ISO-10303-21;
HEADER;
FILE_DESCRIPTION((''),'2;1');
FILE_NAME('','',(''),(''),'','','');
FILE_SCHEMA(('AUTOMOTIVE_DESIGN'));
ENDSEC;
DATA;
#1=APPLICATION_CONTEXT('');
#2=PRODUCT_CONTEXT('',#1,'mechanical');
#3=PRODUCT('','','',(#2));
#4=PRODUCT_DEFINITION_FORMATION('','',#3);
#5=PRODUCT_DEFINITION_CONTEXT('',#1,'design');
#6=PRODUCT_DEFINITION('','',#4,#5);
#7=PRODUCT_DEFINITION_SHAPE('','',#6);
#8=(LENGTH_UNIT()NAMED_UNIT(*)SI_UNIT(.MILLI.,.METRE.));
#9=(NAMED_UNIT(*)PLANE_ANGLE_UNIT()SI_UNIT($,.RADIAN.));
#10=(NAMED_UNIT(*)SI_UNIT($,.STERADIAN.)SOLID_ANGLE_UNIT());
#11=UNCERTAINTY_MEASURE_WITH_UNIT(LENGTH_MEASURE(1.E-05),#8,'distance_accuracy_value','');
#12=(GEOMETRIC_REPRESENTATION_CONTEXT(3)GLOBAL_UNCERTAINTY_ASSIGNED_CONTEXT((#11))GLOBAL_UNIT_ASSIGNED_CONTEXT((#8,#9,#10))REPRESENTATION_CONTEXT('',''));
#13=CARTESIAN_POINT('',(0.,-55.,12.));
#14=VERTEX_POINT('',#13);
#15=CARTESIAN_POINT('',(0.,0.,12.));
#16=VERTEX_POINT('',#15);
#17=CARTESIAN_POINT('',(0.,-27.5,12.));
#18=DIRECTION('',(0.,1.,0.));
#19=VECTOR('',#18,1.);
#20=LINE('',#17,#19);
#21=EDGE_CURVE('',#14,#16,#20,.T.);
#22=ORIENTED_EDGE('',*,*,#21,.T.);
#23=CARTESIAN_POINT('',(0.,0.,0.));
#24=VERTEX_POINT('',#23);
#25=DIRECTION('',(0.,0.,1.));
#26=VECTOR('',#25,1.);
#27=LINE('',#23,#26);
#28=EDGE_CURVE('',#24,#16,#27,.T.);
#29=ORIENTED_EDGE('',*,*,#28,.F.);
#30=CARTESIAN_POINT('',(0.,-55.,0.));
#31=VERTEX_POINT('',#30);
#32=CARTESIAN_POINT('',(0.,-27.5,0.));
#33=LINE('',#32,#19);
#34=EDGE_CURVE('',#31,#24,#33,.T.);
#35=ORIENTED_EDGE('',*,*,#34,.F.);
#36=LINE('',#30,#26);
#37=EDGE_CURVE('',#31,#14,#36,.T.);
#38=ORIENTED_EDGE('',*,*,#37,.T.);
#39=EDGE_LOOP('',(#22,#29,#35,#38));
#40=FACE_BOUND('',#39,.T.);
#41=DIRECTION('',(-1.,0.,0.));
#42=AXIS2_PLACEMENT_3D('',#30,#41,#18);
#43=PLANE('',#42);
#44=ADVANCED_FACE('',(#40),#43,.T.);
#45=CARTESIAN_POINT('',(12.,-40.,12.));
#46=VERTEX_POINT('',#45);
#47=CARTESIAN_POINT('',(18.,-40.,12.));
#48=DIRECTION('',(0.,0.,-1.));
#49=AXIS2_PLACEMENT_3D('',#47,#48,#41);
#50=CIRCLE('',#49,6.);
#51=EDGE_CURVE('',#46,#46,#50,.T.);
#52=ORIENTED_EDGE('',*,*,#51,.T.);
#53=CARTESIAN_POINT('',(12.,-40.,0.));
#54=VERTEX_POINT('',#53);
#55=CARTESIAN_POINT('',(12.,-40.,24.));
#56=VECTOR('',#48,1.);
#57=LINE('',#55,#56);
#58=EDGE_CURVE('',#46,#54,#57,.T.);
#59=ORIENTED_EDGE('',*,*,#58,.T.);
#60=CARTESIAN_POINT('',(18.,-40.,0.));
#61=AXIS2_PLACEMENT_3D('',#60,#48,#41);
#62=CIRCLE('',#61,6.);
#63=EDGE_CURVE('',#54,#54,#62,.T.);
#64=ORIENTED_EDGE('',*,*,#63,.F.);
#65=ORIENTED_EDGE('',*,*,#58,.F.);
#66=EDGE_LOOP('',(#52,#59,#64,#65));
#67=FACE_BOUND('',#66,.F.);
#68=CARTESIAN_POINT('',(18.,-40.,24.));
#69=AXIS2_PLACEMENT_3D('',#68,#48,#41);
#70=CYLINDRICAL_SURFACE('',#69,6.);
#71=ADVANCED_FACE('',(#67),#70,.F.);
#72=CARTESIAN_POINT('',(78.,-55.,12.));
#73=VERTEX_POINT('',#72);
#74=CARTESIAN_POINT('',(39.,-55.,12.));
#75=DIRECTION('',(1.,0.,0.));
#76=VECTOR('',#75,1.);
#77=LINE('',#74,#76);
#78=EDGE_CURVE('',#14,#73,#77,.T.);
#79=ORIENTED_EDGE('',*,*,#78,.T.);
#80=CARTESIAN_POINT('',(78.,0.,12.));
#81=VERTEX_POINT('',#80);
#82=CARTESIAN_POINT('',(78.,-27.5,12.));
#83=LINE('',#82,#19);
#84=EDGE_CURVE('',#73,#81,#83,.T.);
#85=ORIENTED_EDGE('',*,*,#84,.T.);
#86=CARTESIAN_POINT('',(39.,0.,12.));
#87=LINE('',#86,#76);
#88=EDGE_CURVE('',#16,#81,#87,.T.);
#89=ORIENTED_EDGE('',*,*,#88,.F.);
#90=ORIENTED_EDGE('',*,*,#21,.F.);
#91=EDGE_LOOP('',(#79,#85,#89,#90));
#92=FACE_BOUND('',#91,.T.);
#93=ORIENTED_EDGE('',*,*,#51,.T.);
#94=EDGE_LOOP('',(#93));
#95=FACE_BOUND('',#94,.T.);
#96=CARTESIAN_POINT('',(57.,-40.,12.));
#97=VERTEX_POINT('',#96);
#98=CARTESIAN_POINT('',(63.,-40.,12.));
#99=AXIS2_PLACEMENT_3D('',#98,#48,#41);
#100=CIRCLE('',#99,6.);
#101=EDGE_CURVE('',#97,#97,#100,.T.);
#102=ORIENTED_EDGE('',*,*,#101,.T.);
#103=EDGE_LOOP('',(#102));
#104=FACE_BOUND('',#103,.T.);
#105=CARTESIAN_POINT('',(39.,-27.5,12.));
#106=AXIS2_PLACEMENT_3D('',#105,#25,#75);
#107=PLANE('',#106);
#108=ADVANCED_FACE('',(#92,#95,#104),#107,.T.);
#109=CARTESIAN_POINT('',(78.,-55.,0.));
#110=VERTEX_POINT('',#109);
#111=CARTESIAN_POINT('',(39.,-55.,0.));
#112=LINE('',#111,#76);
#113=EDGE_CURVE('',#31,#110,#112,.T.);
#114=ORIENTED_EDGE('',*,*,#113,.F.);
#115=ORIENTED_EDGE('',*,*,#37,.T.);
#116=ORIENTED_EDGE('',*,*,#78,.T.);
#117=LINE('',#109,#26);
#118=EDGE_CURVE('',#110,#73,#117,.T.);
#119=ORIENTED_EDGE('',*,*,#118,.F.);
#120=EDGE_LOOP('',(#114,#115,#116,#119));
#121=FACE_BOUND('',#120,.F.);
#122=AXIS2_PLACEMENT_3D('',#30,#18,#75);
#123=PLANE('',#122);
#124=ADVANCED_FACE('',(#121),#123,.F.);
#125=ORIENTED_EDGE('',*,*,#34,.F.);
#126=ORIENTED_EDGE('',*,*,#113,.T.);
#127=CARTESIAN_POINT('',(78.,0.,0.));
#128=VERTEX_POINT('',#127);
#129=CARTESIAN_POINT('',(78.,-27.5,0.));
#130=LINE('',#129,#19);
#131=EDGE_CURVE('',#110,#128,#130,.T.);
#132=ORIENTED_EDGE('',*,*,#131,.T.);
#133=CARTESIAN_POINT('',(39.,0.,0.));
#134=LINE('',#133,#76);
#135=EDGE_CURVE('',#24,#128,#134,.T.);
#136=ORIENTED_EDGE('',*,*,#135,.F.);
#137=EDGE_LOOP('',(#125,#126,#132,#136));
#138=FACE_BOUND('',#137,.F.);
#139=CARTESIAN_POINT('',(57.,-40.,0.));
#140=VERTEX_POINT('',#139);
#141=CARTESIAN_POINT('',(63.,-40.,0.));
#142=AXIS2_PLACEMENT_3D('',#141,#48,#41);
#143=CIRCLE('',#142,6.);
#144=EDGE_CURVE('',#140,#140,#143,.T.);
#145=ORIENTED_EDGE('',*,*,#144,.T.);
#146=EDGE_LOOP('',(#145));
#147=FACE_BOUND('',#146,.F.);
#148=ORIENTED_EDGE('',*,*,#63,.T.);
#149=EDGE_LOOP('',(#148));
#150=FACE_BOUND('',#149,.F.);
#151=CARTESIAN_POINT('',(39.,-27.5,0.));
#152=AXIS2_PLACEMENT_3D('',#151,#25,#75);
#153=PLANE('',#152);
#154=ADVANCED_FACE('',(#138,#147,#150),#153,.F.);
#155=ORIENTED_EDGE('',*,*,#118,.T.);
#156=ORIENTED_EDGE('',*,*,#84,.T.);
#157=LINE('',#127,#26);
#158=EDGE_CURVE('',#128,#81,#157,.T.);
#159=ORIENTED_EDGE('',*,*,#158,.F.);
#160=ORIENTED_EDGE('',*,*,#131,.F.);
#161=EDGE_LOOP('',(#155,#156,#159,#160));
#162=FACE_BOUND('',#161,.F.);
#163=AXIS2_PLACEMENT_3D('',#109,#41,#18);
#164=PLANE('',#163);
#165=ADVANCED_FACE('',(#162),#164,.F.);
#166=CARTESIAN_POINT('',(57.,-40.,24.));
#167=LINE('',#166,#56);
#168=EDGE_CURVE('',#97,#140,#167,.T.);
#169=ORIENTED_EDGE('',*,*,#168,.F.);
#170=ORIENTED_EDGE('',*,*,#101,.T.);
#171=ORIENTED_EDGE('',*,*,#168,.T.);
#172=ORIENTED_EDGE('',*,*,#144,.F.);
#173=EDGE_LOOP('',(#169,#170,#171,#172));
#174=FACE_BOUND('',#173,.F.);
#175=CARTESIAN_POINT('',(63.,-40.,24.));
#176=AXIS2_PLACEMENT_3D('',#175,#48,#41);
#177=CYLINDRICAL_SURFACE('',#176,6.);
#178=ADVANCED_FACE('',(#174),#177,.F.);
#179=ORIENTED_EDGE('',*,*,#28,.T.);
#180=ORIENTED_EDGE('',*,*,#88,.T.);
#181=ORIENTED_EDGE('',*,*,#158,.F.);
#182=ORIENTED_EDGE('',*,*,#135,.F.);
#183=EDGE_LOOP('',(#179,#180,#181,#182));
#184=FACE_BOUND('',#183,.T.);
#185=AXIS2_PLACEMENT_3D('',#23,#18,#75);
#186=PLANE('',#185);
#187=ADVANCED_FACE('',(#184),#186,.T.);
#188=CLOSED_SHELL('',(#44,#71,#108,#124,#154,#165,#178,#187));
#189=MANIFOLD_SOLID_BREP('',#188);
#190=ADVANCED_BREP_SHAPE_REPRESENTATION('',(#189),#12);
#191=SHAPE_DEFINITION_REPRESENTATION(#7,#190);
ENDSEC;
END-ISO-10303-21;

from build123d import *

# Parameters (mm, degrees)
F0_W     = 78
F0_H     = 55
F1_DEPTH = 12
F3_D     = 12
F3_DEPTH = 12


with BuildPart() as f1:
    # F0 (on Top) → F1 (new body)
    with BuildSketch(Plane.XY):
        with Locations((39, -27.5)):
            Rectangle(F0_W, F0_H)
    extrude(amount=F1_DEPTH)

    # F3
    with Locations(Plane.XY.offset(12)):
        with Locations((18, -40), (63, -40)):
            Hole(F3_D / 2, depth=F3_DEPTH)


solid = f1.part
